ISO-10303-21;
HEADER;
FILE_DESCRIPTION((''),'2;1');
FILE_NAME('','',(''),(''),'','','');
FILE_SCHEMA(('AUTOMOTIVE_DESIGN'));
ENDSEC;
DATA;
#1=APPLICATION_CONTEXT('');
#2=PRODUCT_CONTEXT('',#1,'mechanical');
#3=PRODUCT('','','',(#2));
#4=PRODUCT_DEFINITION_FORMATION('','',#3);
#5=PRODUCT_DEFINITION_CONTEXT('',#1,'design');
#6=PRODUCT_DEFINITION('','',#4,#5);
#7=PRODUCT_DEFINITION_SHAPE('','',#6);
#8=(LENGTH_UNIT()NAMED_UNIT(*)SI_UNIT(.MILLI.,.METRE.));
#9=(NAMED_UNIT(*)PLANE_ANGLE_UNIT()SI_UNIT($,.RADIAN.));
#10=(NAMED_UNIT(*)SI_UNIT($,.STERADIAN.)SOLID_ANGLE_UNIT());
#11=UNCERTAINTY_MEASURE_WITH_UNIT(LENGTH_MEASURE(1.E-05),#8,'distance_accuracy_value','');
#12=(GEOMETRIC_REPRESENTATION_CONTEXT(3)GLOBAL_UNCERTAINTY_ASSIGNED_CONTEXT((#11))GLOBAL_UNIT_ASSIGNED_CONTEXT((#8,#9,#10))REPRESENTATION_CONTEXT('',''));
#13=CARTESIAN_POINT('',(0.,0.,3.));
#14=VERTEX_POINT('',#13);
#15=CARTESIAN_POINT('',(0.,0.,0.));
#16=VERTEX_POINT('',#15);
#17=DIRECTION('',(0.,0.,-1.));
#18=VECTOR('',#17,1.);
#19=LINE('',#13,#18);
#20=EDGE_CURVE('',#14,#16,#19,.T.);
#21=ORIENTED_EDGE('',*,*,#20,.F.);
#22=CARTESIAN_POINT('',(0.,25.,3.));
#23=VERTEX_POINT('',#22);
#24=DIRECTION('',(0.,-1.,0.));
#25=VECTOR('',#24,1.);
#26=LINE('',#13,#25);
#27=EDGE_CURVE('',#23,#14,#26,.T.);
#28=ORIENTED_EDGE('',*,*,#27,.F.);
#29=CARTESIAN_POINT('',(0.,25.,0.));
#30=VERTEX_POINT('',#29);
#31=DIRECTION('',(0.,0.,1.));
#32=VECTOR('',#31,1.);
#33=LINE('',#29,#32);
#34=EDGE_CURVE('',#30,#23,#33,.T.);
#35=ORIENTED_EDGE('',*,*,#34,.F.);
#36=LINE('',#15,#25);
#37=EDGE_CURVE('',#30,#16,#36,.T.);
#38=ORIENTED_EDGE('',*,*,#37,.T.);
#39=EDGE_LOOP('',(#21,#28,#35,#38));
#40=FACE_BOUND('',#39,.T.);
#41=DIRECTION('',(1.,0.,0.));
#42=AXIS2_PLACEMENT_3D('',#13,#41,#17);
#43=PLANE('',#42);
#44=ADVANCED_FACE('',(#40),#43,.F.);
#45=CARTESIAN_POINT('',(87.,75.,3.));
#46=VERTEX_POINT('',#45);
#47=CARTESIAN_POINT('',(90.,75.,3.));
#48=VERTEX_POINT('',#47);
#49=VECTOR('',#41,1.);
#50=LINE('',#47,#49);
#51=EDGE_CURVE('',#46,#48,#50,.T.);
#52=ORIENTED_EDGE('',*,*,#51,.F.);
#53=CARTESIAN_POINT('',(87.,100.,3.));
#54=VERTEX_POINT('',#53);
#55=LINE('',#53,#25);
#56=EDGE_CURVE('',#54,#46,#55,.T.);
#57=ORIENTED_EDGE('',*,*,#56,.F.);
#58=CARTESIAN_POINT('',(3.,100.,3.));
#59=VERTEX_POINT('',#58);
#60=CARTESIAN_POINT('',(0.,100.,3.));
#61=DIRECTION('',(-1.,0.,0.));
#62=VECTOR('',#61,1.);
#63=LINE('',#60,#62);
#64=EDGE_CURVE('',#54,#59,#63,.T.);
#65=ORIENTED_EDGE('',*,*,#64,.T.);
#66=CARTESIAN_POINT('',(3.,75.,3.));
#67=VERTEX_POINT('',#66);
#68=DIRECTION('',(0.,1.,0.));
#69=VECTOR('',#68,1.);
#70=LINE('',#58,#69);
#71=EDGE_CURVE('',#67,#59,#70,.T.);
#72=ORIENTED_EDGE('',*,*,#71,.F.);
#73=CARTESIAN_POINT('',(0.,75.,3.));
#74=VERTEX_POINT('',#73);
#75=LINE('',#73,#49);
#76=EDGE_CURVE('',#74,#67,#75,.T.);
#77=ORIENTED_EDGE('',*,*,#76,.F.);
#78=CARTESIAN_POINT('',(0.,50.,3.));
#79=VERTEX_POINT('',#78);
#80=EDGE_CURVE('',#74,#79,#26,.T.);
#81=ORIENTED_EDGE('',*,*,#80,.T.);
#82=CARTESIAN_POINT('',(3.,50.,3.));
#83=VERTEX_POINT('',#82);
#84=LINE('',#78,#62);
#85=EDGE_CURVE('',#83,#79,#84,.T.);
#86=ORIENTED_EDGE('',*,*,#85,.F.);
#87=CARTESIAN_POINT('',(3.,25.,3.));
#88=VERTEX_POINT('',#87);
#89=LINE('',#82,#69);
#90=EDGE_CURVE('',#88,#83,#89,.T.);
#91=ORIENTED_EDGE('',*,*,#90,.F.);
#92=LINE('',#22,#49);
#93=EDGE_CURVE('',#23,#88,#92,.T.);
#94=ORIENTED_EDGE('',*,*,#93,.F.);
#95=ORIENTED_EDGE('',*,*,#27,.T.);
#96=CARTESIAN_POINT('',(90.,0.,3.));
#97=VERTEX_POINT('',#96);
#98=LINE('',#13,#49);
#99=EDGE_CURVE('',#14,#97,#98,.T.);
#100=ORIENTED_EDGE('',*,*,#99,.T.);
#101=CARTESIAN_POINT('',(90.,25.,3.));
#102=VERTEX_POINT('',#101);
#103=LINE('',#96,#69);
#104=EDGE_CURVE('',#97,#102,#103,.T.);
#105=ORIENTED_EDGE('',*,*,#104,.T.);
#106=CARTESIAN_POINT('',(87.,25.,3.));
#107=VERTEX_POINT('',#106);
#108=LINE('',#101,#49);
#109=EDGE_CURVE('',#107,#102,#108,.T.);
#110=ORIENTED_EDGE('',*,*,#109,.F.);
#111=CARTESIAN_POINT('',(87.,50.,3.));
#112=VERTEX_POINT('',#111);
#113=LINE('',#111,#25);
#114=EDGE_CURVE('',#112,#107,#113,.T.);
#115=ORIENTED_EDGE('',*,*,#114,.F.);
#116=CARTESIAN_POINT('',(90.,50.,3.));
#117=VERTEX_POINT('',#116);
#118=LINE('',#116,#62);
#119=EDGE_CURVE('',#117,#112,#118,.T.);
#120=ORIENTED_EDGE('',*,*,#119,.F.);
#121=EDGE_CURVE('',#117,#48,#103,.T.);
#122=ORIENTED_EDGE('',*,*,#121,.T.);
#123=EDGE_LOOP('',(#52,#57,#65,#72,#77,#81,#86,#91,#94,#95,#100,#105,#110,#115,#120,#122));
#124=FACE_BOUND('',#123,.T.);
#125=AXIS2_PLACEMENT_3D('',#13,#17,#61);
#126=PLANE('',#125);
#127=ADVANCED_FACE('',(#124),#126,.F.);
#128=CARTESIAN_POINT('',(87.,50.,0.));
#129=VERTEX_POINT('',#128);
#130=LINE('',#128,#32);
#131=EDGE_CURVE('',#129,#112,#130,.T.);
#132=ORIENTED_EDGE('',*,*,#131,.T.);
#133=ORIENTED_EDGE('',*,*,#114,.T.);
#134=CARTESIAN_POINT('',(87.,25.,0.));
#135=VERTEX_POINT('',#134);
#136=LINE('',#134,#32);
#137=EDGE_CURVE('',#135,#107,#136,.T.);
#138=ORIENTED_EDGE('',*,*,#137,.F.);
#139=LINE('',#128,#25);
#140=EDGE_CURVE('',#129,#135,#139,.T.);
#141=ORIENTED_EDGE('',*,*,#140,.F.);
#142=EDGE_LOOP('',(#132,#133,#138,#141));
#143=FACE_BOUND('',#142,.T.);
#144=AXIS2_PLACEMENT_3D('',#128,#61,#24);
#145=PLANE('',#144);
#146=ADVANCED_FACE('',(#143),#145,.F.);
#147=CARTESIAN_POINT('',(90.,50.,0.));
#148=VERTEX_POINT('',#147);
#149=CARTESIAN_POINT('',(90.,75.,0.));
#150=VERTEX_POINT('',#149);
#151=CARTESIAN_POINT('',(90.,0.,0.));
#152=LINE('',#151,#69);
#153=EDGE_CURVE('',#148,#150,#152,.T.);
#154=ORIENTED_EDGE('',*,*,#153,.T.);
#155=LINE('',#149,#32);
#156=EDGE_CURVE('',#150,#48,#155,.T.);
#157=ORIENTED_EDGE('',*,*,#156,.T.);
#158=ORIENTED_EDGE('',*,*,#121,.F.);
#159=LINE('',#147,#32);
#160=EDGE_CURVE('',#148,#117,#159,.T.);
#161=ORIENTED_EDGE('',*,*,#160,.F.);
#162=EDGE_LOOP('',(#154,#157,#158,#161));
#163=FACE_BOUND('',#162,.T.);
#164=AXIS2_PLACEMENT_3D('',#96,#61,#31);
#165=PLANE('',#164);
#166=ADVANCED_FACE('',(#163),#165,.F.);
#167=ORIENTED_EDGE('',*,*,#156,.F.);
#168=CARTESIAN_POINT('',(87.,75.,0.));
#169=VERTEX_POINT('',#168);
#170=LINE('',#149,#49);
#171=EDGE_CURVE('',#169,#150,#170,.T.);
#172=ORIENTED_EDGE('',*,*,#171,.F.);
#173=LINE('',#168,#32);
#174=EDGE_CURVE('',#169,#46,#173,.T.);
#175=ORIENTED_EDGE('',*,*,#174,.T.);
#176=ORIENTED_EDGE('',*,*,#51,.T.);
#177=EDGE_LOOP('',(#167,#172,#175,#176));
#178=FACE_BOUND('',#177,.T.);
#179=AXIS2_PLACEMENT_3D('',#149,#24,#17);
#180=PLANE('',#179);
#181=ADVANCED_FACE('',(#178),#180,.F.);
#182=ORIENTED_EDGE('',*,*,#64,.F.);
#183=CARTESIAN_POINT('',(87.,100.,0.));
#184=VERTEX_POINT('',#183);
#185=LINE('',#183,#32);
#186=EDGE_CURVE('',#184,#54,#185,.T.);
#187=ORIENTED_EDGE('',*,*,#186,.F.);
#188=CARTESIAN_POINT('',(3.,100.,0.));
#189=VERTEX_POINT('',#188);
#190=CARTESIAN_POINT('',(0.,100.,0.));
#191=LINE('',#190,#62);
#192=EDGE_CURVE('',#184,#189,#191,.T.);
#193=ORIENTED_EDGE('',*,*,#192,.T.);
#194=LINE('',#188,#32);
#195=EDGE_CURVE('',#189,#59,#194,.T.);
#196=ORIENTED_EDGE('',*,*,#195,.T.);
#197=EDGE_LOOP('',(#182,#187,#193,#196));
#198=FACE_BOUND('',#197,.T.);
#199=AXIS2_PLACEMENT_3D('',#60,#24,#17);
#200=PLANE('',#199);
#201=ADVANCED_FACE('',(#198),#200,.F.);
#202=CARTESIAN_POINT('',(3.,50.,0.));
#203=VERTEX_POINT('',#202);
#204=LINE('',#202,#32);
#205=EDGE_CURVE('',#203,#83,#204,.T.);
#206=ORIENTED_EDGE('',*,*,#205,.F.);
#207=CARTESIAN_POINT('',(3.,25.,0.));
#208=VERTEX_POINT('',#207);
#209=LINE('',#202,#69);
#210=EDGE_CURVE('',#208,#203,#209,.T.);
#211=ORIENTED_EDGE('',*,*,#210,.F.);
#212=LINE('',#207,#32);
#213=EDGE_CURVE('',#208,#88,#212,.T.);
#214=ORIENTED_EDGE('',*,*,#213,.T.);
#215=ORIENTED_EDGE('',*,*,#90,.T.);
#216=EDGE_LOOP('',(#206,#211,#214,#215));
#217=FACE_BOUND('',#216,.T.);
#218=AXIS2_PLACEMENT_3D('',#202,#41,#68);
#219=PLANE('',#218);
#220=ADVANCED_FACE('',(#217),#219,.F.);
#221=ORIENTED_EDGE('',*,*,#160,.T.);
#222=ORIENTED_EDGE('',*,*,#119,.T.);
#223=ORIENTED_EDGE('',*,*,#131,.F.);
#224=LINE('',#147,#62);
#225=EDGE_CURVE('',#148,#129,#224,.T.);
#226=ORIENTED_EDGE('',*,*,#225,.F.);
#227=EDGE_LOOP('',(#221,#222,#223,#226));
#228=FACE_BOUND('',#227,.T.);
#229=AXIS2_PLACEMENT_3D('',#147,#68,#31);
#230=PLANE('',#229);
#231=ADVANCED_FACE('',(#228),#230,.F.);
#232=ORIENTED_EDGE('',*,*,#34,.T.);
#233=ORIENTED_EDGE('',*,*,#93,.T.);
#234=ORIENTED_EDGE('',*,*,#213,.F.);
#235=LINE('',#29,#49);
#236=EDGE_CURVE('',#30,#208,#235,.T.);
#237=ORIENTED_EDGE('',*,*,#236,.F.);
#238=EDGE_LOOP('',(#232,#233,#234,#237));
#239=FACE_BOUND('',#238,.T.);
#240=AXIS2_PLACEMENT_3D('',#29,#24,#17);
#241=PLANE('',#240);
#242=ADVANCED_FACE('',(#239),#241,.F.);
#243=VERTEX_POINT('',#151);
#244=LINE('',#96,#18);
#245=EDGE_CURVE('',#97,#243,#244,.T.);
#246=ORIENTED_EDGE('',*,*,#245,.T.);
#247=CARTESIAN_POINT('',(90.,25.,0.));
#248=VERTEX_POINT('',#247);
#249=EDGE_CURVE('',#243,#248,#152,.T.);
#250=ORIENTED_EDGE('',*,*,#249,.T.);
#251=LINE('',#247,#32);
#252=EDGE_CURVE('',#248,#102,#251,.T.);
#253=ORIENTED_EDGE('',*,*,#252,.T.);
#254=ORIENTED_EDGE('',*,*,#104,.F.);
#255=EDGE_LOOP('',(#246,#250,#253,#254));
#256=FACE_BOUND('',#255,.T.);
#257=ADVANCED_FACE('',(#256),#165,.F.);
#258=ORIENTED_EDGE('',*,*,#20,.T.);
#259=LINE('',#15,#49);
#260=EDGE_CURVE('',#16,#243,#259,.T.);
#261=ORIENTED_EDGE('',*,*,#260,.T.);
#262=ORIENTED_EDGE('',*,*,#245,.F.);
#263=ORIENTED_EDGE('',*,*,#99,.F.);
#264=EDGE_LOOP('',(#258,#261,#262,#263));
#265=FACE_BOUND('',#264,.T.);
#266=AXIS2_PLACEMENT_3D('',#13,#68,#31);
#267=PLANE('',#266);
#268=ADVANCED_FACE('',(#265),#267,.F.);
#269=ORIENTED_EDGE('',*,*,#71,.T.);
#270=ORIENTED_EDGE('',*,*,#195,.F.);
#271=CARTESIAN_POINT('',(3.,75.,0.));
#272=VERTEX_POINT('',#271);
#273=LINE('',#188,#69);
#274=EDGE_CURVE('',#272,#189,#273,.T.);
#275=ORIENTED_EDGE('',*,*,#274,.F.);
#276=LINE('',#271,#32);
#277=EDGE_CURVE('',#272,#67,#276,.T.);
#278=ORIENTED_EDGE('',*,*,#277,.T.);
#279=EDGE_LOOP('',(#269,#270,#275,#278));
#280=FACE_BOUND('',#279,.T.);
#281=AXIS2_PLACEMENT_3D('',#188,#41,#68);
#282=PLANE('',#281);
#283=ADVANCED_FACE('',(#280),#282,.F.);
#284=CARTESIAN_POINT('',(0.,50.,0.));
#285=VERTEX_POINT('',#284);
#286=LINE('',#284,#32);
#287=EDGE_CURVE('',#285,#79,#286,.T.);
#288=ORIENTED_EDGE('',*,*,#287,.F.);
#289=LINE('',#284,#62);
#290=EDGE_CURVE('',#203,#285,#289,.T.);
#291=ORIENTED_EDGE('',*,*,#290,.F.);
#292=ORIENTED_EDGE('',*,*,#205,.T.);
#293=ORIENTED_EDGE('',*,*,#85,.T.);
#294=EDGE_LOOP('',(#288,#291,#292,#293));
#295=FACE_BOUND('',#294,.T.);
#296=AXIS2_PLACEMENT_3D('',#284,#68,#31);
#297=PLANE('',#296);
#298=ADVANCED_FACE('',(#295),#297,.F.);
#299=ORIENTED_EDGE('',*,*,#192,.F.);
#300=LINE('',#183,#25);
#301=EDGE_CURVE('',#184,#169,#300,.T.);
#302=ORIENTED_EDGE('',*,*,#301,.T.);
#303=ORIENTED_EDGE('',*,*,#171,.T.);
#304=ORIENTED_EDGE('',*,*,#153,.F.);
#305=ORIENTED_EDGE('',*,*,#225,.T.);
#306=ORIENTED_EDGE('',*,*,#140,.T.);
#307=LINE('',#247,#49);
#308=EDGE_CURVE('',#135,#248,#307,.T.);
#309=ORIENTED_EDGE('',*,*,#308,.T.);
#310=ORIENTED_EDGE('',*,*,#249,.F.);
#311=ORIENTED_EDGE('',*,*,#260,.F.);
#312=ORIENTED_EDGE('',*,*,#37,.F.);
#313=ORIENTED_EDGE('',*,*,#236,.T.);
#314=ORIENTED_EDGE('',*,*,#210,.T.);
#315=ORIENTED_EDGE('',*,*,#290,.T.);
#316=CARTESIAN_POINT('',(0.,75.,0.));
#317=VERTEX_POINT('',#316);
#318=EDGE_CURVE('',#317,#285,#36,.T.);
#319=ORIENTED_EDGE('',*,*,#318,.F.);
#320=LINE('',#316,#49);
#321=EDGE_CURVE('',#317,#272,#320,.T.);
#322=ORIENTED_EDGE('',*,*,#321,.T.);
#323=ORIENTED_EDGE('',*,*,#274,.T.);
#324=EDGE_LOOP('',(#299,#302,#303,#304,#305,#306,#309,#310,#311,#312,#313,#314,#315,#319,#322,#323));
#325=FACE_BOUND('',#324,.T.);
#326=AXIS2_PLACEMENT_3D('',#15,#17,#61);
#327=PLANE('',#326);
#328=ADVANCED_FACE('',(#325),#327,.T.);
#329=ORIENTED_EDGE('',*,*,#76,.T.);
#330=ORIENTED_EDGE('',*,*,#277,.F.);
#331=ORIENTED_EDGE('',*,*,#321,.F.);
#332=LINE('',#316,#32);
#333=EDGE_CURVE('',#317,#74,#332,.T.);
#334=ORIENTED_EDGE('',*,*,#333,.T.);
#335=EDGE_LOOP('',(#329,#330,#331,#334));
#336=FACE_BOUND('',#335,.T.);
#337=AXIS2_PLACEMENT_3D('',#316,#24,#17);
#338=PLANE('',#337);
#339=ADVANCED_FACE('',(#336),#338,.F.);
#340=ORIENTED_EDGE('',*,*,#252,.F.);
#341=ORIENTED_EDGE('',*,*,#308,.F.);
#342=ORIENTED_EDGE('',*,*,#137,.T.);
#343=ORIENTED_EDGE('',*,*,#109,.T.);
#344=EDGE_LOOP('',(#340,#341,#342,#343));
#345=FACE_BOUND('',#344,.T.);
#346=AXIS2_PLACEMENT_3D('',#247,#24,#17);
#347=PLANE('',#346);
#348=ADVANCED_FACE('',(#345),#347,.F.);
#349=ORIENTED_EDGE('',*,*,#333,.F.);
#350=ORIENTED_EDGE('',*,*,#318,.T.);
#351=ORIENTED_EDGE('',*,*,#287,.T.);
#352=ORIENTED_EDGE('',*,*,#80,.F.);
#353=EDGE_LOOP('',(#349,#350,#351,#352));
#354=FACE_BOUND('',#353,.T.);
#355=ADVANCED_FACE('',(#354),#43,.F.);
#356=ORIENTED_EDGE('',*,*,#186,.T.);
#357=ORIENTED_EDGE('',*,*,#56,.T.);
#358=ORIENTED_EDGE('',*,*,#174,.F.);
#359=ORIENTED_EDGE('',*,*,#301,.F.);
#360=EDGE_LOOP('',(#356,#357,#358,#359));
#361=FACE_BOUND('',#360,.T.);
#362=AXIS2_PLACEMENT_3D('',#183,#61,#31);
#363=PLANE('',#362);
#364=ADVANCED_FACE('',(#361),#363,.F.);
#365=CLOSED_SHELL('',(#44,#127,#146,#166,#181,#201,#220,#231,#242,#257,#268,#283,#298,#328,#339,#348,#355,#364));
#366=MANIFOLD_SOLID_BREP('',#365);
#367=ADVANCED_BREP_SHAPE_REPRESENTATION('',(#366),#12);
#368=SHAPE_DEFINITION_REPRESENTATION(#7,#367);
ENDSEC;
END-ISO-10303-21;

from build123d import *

# Parameters (mm, degrees)
ESQUISSE1_W             = 90
ESQUISSE1_H             = 100
BOSS_EXTRU_1_DEPTH      = 3
ESQUISSE2_W             = 3
ESQUISSE2_H             = 25
ENL_V_MAT_EXTRU_1_DEPTH = 3


with BuildPart() as part:
    # Esquisse1 → Boss.-Extru.1 (new body)
    with BuildSketch(Plane.XY):
        with Locations((45, 50)):
            Rectangle(ESQUISSE1_W, ESQUISSE1_H)
    extrude(amount=BOSS_EXTRU_1_DEPTH)

    # Esquisse2 → Enlèv. mat.-Extru.1 (cut)
    with BuildSketch(Plane.XY.offset(3)):
        with Locations((1.5, 87.5)):
            Rectangle(ESQUISSE2_W, ESQUISSE2_H)
        with Locations((1.5, 37.5)):
            Rectangle(ESQUISSE2_W, ESQUISSE2_H)
        with Locations((88.5, 87.5)):
            Rectangle(ESQUISSE2_W, ESQUISSE2_H)
        with Locations((88.5, 37.5)):
            Rectangle(ESQUISSE2_W, ESQUISSE2_H)
    extrude(amount=-ENL_V_MAT_EXTRU_1_DEPTH, mode=Mode.SUBTRACT)


solid = part.part
